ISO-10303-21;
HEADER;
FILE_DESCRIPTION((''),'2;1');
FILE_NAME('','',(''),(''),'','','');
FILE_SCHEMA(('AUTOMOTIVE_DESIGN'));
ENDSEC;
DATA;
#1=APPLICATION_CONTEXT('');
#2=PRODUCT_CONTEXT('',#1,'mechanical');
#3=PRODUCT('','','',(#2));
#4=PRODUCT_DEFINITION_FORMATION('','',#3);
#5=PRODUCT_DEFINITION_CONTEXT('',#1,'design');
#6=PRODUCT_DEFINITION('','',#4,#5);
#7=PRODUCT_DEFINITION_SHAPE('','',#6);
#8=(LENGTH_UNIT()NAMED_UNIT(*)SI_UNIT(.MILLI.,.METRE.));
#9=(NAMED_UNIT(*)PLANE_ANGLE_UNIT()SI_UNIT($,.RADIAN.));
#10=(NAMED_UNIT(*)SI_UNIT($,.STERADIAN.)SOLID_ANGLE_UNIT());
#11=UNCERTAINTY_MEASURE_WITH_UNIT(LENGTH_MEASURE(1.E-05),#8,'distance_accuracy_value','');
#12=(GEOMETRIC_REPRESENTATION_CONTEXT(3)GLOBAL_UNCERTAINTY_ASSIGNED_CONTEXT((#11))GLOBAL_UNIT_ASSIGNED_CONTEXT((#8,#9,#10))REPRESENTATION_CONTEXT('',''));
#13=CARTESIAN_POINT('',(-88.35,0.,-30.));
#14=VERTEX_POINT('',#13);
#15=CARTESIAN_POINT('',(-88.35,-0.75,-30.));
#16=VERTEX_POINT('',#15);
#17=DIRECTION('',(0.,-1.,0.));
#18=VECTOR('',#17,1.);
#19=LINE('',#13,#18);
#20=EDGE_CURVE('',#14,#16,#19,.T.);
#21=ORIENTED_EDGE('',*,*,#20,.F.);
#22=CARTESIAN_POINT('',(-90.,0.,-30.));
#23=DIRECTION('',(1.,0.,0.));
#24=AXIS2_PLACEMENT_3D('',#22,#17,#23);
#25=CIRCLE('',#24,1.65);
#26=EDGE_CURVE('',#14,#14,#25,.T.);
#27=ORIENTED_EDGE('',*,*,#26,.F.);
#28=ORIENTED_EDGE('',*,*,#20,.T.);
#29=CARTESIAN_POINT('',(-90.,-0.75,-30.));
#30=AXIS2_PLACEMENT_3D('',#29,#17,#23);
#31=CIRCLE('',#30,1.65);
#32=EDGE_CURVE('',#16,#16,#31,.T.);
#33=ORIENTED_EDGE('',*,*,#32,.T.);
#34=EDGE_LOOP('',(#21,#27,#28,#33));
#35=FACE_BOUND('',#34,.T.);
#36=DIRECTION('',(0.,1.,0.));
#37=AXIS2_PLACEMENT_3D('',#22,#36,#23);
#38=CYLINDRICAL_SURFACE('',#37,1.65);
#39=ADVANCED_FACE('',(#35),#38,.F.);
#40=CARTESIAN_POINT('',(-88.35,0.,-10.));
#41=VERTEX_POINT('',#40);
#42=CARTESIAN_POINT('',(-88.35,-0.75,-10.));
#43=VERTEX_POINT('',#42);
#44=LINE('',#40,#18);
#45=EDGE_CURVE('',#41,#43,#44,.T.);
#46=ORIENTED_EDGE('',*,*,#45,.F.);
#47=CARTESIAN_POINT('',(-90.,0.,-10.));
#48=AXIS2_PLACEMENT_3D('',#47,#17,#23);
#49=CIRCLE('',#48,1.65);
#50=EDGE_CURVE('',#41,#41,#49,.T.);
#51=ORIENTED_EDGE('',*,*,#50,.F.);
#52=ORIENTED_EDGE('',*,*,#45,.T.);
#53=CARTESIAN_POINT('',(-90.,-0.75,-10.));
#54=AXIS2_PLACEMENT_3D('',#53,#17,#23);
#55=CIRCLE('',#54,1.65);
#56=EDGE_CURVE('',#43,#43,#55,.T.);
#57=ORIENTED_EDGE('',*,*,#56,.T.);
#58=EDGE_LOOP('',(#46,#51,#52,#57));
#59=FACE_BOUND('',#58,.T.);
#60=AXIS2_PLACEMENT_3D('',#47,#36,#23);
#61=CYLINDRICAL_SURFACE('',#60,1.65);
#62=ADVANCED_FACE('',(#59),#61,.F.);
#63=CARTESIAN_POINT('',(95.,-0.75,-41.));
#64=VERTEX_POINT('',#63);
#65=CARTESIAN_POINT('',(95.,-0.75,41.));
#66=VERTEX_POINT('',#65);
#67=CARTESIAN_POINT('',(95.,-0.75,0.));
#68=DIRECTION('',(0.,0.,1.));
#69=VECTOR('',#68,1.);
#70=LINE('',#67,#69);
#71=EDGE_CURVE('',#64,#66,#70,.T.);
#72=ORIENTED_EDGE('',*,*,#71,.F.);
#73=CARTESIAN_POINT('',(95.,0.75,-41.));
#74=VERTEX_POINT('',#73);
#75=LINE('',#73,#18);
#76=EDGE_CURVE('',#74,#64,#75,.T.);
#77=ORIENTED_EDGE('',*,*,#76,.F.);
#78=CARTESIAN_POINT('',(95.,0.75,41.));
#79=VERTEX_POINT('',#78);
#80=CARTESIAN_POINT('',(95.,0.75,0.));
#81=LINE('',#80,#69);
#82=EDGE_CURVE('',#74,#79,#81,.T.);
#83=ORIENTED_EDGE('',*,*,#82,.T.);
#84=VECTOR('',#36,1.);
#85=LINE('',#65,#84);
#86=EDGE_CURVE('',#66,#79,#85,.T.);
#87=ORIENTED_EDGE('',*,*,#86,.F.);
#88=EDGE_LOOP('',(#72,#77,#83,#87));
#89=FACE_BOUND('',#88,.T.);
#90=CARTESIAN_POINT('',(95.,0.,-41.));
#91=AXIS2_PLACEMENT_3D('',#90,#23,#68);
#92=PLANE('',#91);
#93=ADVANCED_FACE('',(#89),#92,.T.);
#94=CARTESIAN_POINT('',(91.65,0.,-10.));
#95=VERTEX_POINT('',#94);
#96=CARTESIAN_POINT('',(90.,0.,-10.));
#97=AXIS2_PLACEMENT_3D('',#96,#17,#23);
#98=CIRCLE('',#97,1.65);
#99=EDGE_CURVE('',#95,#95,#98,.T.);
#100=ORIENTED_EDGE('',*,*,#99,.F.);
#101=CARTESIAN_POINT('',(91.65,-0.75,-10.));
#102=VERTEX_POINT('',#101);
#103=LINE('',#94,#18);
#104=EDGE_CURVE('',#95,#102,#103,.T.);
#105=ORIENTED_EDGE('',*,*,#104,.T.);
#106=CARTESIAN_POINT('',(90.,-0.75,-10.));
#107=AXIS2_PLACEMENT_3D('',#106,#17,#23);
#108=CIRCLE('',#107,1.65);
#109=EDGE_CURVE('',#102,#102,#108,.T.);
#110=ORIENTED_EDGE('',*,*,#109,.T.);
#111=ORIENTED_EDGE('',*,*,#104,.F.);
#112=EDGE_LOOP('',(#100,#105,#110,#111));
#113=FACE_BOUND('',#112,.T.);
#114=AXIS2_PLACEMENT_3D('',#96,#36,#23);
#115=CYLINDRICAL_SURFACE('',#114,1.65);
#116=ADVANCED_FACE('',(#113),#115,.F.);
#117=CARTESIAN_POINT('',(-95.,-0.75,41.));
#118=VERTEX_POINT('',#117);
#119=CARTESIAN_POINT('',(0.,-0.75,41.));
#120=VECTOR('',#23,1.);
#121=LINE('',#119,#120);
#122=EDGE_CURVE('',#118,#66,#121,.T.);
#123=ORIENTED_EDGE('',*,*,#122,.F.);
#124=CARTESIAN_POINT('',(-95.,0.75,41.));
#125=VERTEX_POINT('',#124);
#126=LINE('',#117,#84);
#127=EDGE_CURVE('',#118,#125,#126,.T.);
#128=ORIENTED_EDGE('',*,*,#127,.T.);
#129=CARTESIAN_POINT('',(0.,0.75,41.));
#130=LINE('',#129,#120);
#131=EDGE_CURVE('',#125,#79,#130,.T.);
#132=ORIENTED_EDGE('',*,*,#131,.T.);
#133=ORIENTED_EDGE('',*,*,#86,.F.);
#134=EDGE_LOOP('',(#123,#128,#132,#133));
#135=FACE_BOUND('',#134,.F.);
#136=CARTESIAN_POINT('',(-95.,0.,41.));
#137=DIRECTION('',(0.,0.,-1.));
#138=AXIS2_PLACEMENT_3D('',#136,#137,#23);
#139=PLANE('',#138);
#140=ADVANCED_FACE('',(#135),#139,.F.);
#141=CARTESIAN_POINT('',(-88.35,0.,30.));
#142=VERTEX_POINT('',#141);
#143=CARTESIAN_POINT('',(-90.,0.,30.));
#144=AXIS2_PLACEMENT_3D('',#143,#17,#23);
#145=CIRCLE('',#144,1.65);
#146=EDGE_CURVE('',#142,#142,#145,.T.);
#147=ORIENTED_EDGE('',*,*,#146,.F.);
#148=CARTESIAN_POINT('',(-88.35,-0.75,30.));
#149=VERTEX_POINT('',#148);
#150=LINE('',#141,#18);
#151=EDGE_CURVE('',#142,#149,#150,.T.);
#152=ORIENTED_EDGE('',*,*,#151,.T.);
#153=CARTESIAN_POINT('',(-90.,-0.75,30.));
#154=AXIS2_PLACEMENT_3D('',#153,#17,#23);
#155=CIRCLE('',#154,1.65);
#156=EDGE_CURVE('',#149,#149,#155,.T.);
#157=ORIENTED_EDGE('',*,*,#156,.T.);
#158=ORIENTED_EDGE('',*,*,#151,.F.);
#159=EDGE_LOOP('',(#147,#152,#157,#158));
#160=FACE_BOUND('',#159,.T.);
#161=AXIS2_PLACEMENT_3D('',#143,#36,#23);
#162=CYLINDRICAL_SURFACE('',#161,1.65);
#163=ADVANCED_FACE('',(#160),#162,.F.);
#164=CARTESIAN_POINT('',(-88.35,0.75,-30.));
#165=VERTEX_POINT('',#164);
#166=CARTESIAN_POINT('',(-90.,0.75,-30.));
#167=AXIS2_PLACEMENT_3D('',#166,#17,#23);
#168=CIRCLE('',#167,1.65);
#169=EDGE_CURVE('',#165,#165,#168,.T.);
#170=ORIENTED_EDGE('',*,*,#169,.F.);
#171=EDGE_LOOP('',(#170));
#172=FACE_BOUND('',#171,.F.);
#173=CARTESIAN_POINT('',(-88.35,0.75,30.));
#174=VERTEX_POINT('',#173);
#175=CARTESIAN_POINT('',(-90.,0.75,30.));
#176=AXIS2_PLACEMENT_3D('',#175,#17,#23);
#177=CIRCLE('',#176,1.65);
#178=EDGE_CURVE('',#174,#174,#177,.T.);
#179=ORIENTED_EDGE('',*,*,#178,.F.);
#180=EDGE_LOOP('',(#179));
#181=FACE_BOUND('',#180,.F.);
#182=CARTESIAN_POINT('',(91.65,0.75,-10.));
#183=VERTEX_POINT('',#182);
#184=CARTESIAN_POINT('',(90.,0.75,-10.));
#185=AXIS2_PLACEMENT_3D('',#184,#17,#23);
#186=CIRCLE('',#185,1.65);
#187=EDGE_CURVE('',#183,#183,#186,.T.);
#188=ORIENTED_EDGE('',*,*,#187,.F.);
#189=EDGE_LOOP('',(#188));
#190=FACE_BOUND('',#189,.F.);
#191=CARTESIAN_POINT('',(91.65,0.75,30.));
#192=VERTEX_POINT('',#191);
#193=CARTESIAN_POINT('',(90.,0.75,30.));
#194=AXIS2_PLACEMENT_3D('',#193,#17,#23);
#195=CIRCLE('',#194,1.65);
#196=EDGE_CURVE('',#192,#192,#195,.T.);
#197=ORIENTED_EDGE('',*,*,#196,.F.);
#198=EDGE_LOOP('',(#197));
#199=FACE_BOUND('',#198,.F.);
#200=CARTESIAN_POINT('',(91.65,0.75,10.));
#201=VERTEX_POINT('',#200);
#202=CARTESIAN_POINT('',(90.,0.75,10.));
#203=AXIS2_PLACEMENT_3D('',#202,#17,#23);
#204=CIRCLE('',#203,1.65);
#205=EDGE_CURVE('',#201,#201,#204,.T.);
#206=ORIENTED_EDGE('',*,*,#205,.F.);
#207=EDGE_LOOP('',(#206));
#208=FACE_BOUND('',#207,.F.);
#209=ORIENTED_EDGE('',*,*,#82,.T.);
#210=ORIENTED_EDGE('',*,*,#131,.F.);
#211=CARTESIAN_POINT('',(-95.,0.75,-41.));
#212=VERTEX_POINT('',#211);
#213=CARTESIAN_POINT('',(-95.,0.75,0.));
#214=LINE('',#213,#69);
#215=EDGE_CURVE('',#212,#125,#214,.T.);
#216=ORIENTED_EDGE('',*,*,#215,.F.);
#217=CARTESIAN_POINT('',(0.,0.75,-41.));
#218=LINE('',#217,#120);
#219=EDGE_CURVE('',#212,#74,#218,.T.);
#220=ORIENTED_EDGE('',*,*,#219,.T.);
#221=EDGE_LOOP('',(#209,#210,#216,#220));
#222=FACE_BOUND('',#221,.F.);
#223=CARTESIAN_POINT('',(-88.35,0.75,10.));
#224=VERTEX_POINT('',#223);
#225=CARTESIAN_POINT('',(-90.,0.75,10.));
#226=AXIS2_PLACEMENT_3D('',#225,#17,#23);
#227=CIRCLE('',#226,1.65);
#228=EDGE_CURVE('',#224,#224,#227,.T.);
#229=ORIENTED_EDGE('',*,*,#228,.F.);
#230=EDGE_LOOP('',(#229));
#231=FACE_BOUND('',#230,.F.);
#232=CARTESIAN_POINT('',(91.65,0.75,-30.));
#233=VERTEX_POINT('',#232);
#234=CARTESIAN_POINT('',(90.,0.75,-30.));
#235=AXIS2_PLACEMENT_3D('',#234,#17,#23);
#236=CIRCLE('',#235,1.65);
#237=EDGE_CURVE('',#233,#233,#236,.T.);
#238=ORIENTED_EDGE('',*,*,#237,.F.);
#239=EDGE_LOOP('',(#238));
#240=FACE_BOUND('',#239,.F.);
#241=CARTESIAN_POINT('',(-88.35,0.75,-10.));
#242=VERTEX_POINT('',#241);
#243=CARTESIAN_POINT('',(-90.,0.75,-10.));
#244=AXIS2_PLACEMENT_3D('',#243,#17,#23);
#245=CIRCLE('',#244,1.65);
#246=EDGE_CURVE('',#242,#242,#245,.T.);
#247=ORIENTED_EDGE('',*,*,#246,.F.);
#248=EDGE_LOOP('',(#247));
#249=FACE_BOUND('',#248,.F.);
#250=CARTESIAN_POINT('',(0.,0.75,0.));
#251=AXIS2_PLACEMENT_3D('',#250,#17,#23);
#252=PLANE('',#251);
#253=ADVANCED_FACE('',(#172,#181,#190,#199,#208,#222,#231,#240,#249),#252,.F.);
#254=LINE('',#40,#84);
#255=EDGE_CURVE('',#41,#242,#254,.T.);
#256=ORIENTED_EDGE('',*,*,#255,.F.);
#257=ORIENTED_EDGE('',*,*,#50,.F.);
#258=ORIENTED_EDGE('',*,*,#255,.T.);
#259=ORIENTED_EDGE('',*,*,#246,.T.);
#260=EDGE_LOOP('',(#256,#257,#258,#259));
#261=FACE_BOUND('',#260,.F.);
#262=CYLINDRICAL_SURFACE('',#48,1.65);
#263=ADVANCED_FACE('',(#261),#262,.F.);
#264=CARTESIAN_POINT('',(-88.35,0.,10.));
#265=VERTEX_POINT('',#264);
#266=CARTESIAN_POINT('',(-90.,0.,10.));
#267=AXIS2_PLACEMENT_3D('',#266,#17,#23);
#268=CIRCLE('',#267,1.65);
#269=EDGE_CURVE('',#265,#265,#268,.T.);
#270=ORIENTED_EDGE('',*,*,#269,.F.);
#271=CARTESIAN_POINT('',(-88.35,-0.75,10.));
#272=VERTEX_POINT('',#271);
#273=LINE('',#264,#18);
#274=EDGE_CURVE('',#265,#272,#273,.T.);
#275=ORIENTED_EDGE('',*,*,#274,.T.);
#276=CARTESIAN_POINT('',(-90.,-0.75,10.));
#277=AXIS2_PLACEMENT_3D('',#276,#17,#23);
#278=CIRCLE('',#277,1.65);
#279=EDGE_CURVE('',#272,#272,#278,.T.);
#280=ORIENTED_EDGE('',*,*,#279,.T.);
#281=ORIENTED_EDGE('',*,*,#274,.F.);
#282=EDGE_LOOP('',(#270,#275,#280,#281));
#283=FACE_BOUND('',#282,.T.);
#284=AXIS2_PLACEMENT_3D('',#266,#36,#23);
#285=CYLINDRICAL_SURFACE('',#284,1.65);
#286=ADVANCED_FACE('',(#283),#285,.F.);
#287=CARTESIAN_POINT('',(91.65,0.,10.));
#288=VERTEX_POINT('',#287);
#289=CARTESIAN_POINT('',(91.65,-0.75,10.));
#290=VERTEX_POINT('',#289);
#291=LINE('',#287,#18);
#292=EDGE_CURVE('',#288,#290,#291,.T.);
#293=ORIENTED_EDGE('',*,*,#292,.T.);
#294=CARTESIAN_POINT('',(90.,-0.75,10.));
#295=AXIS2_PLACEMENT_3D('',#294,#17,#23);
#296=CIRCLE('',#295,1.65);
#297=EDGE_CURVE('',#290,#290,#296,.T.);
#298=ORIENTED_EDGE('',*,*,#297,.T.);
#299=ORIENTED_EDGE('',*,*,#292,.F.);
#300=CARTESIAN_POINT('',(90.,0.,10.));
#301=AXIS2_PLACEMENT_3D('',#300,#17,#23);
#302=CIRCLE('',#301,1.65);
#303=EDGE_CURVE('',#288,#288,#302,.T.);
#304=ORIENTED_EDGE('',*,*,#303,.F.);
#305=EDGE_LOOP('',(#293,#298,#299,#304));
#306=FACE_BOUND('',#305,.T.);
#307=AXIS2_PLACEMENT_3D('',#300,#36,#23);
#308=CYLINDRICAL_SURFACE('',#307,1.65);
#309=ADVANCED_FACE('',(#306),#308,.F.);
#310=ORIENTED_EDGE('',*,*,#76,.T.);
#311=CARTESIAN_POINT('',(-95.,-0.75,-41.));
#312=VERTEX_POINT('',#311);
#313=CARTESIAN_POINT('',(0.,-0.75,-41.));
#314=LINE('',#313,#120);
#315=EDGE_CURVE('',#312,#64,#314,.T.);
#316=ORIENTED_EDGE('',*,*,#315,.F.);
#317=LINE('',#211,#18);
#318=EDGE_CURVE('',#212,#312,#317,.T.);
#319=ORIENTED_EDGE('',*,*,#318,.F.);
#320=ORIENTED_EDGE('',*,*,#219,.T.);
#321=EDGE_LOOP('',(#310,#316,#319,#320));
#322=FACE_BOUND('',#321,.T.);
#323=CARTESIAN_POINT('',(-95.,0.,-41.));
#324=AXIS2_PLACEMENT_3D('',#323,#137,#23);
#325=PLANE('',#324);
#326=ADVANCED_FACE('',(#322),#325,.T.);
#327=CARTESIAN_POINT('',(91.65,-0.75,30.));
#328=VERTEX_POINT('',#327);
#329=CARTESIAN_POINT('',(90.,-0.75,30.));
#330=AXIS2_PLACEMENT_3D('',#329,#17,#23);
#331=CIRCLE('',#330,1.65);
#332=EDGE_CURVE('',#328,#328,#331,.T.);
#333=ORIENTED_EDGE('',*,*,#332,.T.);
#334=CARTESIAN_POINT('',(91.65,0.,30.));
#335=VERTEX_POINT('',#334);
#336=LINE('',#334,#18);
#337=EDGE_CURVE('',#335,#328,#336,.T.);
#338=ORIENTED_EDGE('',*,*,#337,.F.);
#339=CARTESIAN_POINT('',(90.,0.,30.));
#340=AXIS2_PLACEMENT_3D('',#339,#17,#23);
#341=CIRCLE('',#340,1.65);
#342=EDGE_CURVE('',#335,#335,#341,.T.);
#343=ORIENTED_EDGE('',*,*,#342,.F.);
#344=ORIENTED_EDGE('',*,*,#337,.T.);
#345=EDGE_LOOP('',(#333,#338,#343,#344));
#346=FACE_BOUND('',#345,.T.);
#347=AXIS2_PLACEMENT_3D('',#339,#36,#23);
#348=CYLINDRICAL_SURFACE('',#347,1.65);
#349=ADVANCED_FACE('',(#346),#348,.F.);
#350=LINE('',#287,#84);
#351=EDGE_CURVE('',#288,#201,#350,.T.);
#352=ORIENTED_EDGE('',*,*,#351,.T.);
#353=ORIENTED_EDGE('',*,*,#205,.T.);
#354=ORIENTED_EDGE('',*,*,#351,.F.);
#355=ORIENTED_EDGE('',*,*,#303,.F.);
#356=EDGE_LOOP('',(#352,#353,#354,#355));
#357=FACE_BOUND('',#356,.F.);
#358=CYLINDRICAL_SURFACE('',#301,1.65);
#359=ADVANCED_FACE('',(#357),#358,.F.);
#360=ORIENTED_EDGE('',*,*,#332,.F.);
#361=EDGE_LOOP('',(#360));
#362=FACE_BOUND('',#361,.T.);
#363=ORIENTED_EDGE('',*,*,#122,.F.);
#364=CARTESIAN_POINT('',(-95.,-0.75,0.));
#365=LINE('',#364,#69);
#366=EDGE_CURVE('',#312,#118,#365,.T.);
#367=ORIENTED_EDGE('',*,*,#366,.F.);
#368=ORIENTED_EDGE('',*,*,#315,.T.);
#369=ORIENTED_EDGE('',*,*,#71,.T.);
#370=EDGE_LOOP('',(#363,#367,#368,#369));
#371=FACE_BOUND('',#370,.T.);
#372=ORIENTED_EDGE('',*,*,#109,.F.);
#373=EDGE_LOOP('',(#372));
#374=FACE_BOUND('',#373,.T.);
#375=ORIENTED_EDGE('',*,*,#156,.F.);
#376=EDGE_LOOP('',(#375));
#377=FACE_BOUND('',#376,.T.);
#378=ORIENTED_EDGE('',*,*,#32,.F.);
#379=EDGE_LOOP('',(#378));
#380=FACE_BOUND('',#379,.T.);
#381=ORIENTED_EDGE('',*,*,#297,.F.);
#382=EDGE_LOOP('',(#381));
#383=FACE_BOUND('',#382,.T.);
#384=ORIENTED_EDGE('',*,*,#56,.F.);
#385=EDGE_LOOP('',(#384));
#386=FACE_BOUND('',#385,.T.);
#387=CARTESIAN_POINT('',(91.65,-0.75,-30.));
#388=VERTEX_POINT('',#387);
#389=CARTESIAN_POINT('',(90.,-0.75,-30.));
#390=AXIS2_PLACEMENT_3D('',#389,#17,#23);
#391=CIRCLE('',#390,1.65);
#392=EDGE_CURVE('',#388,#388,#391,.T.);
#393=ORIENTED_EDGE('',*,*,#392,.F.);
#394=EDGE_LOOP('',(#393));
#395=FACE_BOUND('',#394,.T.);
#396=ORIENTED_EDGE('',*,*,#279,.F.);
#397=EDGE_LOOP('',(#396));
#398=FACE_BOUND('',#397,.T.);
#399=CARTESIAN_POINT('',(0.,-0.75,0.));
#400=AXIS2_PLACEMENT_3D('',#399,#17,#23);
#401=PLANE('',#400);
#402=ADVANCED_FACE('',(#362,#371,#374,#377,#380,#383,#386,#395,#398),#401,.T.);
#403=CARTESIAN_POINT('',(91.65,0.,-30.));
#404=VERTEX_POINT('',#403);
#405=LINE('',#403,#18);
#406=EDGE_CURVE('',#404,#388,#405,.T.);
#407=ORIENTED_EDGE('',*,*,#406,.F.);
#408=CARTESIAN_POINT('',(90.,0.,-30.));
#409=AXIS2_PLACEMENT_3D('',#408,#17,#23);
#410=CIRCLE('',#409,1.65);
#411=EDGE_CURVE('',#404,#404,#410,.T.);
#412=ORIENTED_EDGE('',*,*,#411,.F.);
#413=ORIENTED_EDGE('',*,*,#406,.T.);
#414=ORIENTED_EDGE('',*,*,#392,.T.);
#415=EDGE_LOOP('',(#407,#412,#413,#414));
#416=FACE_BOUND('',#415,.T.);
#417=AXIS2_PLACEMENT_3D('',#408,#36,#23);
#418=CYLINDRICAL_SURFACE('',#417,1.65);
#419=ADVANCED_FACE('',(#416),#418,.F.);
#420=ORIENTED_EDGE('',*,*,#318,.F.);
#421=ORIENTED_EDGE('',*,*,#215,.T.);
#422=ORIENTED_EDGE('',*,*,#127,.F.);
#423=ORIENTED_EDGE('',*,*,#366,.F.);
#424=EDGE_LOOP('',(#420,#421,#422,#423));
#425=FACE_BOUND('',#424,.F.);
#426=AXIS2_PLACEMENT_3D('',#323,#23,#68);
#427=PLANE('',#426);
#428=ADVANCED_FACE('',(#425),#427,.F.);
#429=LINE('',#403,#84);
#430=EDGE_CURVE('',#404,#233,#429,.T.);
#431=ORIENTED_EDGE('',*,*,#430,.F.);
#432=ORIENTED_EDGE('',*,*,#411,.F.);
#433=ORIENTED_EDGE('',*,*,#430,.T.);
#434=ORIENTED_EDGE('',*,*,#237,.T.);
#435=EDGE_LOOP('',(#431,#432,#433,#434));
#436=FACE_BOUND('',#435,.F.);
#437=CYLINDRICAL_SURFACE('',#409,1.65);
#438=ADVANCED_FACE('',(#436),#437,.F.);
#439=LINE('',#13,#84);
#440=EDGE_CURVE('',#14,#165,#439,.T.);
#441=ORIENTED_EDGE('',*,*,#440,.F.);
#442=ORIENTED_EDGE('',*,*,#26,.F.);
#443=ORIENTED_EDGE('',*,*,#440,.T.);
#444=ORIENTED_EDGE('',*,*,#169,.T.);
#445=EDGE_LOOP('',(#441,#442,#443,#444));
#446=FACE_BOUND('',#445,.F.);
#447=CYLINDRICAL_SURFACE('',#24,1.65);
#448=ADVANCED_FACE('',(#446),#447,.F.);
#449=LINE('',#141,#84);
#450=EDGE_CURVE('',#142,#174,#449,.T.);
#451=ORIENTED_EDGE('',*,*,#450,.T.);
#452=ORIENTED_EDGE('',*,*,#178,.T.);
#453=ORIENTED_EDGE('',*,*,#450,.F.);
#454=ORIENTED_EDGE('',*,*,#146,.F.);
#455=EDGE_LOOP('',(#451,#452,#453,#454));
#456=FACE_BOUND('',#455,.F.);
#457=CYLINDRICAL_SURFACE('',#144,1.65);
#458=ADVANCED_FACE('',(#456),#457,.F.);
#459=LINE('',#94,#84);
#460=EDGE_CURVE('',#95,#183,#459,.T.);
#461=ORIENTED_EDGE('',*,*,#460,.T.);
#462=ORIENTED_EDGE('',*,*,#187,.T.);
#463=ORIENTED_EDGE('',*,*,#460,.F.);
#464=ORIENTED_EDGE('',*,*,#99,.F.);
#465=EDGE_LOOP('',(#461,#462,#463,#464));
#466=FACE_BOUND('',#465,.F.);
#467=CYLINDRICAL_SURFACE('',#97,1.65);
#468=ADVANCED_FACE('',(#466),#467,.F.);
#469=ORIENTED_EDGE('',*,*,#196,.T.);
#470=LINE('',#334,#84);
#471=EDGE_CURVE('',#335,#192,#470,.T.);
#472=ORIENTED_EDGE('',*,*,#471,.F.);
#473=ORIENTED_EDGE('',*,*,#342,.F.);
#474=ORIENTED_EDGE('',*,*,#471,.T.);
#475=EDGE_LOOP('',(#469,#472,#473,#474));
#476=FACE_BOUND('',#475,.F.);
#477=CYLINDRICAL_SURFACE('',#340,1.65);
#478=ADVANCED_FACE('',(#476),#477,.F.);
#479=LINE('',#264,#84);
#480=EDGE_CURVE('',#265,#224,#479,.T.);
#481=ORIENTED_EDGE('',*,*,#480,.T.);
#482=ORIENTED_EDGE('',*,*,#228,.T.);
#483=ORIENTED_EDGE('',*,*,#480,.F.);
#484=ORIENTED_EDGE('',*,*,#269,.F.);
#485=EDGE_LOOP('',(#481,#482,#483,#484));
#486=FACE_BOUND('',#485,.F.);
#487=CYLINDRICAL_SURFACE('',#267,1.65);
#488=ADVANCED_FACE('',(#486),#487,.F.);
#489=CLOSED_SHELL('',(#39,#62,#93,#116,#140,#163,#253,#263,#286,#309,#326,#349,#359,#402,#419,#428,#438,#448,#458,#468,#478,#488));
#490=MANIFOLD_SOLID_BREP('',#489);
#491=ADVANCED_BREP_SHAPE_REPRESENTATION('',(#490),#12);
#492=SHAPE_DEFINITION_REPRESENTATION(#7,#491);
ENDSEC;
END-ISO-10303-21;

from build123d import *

# Parameters (mm, degrees)
SKETCH_W       = 190
SKETCH_H       = 82
SKETCH_R       = 1.65
PAD_DEPTH      = 0.75
PAD_DEPTH_BACK = 0.75


with BuildPart() as part:
    # Sketch → Pad (new body, two sides)
    with BuildSketch(Plane.XZ) as pad_sk:
        Rectangle(SKETCH_W, SKETCH_H)
        with Locations((90, 30)):
            Circle(SKETCH_R, mode=Mode.SUBTRACT)
        with Locations((90, 10)):
            Circle(SKETCH_R, mode=Mode.SUBTRACT)
        with Locations((90, -30)):
            Circle(SKETCH_R, mode=Mode.SUBTRACT)
        with Locations((90, -10)):
            Circle(SKETCH_R, mode=Mode.SUBTRACT)
        with Locations((-90, 30)):
            Circle(SKETCH_R, mode=Mode.SUBTRACT)
        with Locations((-90, 10)):
            Circle(SKETCH_R, mode=Mode.SUBTRACT)
        with Locations((-90, -30)):
            Circle(SKETCH_R, mode=Mode.SUBTRACT)
        with Locations((-90, -10)):
            Circle(SKETCH_R, mode=Mode.SUBTRACT)
    extrude(amount=PAD_DEPTH)
    extrude(pad_sk.sketch, amount=-PAD_DEPTH_BACK)


solid = part.part
